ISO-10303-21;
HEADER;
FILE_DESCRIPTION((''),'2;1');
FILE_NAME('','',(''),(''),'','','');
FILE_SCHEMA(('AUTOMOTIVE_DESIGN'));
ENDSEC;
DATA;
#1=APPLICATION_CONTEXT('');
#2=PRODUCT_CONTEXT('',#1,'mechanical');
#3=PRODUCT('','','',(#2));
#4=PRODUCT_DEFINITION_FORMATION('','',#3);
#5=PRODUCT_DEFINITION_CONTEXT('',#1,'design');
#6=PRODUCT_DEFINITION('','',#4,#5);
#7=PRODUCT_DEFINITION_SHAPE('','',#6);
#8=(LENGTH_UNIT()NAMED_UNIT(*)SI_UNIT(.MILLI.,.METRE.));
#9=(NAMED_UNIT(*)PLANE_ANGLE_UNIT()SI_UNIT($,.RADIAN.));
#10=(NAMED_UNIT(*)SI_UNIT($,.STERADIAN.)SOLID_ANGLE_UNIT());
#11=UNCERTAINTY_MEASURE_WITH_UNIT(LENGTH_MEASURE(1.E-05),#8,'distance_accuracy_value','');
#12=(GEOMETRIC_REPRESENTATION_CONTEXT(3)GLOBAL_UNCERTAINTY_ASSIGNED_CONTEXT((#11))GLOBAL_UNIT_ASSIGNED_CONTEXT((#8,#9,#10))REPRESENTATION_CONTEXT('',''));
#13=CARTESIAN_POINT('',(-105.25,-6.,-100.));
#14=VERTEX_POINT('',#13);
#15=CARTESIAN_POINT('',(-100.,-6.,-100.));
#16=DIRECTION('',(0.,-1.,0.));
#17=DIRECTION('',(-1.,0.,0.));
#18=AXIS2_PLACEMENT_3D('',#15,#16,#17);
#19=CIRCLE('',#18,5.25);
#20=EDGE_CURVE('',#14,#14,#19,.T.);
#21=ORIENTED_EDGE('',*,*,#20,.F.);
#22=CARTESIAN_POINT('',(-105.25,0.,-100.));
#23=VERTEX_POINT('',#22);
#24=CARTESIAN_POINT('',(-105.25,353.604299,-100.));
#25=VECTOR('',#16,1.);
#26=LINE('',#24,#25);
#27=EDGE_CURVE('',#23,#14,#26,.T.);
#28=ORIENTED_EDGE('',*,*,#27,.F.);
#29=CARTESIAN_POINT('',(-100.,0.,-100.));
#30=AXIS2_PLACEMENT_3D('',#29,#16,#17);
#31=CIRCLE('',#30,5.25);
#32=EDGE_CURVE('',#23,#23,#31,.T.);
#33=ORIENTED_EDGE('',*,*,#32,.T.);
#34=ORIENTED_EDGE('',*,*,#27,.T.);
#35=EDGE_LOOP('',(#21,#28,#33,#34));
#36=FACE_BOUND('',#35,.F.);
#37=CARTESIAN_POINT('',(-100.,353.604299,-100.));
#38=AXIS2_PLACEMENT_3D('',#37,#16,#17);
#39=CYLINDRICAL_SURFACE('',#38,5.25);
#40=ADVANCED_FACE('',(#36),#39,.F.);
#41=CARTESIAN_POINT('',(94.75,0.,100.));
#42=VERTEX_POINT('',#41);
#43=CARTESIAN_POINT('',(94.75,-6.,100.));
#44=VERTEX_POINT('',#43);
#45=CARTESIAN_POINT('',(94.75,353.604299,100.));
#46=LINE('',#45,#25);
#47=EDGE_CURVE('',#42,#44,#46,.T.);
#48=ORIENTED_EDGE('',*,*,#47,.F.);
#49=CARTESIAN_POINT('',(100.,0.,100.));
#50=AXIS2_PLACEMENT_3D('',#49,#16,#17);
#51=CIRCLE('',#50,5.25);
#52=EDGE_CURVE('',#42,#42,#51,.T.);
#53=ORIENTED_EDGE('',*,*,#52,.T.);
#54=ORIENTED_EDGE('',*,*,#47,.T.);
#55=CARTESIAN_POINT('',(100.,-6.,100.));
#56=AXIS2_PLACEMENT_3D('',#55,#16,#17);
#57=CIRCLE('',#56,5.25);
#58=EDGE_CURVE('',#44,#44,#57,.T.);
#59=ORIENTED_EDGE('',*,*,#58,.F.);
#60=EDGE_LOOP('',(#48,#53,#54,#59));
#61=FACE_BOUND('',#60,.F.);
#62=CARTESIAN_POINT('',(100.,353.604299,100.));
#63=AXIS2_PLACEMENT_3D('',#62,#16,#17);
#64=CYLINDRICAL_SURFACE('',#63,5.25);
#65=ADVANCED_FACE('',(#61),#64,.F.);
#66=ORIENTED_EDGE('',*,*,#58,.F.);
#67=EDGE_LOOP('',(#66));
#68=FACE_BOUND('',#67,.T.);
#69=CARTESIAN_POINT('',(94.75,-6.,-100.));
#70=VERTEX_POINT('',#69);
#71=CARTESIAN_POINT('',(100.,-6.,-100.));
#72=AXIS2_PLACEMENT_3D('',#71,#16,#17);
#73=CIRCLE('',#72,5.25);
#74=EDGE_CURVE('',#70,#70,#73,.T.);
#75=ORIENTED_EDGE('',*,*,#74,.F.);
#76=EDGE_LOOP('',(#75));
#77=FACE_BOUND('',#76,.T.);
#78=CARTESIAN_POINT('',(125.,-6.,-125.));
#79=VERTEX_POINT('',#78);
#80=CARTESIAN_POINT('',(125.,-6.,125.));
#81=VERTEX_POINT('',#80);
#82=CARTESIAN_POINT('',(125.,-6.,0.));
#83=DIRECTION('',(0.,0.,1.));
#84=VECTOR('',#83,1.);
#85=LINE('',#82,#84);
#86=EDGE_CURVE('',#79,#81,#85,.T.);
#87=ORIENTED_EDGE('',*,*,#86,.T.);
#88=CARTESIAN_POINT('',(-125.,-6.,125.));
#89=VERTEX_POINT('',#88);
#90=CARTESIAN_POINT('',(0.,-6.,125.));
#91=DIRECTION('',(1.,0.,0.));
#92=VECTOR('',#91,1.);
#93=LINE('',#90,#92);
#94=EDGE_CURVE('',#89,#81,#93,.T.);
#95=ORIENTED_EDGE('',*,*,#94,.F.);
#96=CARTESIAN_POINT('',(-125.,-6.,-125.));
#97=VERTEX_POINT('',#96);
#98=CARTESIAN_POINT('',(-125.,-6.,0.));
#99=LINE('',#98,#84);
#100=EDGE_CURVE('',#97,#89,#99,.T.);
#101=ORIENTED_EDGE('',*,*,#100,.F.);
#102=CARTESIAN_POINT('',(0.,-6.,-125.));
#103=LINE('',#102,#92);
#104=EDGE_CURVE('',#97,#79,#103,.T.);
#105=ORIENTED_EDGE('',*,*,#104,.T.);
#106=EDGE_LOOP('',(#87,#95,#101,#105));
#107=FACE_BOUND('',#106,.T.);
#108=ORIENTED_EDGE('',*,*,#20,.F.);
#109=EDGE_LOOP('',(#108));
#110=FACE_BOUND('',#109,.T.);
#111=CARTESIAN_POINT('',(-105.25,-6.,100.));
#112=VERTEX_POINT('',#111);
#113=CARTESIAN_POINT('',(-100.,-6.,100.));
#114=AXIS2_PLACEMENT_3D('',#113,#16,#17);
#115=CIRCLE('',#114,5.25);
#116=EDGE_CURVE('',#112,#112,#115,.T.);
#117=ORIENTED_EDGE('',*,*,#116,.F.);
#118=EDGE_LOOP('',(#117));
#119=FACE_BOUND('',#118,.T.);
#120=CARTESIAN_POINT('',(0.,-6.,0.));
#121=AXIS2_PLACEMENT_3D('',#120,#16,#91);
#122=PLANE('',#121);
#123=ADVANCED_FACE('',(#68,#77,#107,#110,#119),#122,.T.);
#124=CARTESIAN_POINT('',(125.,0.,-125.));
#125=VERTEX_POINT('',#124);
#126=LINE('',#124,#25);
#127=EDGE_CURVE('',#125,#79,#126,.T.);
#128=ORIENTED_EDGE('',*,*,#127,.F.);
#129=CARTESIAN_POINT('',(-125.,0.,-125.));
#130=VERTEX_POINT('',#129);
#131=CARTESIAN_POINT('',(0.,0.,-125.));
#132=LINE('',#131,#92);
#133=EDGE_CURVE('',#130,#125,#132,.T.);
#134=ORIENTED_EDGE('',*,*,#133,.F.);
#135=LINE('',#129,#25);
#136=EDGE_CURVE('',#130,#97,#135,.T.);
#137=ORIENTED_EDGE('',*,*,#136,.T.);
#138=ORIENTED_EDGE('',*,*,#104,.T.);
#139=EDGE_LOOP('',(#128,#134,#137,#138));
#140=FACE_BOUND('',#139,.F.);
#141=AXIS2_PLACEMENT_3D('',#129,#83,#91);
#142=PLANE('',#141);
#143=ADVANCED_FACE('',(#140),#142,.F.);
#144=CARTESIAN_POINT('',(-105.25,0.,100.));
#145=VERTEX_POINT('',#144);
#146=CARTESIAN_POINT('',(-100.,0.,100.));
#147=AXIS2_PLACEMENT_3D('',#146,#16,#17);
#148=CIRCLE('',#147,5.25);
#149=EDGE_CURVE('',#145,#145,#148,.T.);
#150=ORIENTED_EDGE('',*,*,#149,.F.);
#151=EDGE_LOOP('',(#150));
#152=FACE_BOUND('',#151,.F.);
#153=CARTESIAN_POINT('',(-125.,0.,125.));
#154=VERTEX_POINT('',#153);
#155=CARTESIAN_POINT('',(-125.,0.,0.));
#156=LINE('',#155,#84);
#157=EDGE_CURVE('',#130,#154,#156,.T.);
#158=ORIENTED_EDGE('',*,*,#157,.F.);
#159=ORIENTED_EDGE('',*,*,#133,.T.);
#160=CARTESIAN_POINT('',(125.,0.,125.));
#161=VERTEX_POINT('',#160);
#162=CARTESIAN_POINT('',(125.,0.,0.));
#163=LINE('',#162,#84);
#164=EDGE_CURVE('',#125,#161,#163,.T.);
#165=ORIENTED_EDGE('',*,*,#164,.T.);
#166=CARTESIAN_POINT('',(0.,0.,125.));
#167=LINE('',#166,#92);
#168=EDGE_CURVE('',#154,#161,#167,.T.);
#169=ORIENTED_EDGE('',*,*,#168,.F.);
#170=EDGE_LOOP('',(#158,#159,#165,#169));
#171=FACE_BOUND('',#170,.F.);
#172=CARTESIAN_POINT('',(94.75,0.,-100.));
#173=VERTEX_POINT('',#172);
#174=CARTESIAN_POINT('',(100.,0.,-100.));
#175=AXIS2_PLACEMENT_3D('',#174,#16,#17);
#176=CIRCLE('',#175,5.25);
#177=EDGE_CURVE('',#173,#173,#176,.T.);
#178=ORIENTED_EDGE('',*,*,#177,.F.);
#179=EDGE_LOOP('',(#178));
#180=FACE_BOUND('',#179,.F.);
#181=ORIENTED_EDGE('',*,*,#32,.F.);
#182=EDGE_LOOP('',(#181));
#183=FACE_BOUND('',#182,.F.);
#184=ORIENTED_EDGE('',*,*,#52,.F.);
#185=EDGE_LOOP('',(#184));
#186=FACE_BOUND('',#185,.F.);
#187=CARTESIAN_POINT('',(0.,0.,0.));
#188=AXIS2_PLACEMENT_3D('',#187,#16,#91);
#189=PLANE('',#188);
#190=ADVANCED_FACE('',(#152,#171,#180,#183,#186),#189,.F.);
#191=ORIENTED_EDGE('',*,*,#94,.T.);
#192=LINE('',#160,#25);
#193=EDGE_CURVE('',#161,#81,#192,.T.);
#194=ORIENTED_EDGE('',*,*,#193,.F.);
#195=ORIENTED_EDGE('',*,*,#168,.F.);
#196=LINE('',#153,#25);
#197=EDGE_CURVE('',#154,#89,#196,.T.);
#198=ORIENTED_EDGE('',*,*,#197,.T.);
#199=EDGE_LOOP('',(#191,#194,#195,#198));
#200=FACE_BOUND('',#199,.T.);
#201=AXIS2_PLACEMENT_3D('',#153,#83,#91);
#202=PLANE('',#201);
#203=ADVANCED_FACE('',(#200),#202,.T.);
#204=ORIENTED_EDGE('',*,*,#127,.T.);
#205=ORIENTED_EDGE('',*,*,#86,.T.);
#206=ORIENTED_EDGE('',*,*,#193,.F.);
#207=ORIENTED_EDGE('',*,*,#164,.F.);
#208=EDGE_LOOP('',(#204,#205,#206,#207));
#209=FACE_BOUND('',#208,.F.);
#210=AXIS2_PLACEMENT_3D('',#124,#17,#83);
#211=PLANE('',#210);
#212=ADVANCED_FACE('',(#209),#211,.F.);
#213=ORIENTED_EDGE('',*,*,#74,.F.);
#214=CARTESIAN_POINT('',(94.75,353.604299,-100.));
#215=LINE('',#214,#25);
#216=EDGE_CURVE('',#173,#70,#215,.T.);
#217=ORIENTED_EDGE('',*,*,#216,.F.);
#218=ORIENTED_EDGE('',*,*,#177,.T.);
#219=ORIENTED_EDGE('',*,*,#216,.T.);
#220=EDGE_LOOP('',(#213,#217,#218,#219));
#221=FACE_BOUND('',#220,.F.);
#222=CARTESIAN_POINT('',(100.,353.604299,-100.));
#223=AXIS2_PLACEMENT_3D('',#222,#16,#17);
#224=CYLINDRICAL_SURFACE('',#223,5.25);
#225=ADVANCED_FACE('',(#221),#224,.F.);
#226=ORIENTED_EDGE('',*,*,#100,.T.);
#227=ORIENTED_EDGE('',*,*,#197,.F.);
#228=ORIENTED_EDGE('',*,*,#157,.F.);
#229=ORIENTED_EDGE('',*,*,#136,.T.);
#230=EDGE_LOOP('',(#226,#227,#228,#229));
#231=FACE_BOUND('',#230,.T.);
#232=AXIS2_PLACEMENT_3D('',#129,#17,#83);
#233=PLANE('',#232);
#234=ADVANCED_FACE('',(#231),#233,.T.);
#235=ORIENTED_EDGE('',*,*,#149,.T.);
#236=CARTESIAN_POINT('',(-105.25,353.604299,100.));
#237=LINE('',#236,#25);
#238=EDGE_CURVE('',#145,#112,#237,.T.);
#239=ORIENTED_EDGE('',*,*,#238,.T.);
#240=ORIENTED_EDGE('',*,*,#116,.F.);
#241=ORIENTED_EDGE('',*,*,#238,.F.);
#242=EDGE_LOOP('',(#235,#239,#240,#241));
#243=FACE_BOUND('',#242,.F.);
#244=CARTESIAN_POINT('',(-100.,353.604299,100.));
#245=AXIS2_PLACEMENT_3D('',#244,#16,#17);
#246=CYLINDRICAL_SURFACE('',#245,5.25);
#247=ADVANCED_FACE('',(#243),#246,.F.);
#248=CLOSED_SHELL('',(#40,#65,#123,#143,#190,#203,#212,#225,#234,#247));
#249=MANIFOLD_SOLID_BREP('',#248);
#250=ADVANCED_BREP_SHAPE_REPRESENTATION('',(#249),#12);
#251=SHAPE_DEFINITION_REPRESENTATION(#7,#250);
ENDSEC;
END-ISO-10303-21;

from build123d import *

# Parameters (mm, degrees)
F0_W     = 250
F0_H     = 250
F1_DEPTH = 6
F2_D     = 10.5


with BuildPart() as f1:
    # F0 (on Front) → F1 (new body)
    with BuildSketch(Plane.XZ):
        Rectangle(F0_W, F0_H)
    extrude(amount=F1_DEPTH)

    # F2 (through all)
    with Locations(Plane(origin=(0, 0, 0), x_dir=(1, 0, 0), z_dir=(0, 1, 0))):
        with Locations((100, -100), (100, 100), (-100, 100), (-100, -100)):
            Hole(F2_D / 2)


solid = f1.part
